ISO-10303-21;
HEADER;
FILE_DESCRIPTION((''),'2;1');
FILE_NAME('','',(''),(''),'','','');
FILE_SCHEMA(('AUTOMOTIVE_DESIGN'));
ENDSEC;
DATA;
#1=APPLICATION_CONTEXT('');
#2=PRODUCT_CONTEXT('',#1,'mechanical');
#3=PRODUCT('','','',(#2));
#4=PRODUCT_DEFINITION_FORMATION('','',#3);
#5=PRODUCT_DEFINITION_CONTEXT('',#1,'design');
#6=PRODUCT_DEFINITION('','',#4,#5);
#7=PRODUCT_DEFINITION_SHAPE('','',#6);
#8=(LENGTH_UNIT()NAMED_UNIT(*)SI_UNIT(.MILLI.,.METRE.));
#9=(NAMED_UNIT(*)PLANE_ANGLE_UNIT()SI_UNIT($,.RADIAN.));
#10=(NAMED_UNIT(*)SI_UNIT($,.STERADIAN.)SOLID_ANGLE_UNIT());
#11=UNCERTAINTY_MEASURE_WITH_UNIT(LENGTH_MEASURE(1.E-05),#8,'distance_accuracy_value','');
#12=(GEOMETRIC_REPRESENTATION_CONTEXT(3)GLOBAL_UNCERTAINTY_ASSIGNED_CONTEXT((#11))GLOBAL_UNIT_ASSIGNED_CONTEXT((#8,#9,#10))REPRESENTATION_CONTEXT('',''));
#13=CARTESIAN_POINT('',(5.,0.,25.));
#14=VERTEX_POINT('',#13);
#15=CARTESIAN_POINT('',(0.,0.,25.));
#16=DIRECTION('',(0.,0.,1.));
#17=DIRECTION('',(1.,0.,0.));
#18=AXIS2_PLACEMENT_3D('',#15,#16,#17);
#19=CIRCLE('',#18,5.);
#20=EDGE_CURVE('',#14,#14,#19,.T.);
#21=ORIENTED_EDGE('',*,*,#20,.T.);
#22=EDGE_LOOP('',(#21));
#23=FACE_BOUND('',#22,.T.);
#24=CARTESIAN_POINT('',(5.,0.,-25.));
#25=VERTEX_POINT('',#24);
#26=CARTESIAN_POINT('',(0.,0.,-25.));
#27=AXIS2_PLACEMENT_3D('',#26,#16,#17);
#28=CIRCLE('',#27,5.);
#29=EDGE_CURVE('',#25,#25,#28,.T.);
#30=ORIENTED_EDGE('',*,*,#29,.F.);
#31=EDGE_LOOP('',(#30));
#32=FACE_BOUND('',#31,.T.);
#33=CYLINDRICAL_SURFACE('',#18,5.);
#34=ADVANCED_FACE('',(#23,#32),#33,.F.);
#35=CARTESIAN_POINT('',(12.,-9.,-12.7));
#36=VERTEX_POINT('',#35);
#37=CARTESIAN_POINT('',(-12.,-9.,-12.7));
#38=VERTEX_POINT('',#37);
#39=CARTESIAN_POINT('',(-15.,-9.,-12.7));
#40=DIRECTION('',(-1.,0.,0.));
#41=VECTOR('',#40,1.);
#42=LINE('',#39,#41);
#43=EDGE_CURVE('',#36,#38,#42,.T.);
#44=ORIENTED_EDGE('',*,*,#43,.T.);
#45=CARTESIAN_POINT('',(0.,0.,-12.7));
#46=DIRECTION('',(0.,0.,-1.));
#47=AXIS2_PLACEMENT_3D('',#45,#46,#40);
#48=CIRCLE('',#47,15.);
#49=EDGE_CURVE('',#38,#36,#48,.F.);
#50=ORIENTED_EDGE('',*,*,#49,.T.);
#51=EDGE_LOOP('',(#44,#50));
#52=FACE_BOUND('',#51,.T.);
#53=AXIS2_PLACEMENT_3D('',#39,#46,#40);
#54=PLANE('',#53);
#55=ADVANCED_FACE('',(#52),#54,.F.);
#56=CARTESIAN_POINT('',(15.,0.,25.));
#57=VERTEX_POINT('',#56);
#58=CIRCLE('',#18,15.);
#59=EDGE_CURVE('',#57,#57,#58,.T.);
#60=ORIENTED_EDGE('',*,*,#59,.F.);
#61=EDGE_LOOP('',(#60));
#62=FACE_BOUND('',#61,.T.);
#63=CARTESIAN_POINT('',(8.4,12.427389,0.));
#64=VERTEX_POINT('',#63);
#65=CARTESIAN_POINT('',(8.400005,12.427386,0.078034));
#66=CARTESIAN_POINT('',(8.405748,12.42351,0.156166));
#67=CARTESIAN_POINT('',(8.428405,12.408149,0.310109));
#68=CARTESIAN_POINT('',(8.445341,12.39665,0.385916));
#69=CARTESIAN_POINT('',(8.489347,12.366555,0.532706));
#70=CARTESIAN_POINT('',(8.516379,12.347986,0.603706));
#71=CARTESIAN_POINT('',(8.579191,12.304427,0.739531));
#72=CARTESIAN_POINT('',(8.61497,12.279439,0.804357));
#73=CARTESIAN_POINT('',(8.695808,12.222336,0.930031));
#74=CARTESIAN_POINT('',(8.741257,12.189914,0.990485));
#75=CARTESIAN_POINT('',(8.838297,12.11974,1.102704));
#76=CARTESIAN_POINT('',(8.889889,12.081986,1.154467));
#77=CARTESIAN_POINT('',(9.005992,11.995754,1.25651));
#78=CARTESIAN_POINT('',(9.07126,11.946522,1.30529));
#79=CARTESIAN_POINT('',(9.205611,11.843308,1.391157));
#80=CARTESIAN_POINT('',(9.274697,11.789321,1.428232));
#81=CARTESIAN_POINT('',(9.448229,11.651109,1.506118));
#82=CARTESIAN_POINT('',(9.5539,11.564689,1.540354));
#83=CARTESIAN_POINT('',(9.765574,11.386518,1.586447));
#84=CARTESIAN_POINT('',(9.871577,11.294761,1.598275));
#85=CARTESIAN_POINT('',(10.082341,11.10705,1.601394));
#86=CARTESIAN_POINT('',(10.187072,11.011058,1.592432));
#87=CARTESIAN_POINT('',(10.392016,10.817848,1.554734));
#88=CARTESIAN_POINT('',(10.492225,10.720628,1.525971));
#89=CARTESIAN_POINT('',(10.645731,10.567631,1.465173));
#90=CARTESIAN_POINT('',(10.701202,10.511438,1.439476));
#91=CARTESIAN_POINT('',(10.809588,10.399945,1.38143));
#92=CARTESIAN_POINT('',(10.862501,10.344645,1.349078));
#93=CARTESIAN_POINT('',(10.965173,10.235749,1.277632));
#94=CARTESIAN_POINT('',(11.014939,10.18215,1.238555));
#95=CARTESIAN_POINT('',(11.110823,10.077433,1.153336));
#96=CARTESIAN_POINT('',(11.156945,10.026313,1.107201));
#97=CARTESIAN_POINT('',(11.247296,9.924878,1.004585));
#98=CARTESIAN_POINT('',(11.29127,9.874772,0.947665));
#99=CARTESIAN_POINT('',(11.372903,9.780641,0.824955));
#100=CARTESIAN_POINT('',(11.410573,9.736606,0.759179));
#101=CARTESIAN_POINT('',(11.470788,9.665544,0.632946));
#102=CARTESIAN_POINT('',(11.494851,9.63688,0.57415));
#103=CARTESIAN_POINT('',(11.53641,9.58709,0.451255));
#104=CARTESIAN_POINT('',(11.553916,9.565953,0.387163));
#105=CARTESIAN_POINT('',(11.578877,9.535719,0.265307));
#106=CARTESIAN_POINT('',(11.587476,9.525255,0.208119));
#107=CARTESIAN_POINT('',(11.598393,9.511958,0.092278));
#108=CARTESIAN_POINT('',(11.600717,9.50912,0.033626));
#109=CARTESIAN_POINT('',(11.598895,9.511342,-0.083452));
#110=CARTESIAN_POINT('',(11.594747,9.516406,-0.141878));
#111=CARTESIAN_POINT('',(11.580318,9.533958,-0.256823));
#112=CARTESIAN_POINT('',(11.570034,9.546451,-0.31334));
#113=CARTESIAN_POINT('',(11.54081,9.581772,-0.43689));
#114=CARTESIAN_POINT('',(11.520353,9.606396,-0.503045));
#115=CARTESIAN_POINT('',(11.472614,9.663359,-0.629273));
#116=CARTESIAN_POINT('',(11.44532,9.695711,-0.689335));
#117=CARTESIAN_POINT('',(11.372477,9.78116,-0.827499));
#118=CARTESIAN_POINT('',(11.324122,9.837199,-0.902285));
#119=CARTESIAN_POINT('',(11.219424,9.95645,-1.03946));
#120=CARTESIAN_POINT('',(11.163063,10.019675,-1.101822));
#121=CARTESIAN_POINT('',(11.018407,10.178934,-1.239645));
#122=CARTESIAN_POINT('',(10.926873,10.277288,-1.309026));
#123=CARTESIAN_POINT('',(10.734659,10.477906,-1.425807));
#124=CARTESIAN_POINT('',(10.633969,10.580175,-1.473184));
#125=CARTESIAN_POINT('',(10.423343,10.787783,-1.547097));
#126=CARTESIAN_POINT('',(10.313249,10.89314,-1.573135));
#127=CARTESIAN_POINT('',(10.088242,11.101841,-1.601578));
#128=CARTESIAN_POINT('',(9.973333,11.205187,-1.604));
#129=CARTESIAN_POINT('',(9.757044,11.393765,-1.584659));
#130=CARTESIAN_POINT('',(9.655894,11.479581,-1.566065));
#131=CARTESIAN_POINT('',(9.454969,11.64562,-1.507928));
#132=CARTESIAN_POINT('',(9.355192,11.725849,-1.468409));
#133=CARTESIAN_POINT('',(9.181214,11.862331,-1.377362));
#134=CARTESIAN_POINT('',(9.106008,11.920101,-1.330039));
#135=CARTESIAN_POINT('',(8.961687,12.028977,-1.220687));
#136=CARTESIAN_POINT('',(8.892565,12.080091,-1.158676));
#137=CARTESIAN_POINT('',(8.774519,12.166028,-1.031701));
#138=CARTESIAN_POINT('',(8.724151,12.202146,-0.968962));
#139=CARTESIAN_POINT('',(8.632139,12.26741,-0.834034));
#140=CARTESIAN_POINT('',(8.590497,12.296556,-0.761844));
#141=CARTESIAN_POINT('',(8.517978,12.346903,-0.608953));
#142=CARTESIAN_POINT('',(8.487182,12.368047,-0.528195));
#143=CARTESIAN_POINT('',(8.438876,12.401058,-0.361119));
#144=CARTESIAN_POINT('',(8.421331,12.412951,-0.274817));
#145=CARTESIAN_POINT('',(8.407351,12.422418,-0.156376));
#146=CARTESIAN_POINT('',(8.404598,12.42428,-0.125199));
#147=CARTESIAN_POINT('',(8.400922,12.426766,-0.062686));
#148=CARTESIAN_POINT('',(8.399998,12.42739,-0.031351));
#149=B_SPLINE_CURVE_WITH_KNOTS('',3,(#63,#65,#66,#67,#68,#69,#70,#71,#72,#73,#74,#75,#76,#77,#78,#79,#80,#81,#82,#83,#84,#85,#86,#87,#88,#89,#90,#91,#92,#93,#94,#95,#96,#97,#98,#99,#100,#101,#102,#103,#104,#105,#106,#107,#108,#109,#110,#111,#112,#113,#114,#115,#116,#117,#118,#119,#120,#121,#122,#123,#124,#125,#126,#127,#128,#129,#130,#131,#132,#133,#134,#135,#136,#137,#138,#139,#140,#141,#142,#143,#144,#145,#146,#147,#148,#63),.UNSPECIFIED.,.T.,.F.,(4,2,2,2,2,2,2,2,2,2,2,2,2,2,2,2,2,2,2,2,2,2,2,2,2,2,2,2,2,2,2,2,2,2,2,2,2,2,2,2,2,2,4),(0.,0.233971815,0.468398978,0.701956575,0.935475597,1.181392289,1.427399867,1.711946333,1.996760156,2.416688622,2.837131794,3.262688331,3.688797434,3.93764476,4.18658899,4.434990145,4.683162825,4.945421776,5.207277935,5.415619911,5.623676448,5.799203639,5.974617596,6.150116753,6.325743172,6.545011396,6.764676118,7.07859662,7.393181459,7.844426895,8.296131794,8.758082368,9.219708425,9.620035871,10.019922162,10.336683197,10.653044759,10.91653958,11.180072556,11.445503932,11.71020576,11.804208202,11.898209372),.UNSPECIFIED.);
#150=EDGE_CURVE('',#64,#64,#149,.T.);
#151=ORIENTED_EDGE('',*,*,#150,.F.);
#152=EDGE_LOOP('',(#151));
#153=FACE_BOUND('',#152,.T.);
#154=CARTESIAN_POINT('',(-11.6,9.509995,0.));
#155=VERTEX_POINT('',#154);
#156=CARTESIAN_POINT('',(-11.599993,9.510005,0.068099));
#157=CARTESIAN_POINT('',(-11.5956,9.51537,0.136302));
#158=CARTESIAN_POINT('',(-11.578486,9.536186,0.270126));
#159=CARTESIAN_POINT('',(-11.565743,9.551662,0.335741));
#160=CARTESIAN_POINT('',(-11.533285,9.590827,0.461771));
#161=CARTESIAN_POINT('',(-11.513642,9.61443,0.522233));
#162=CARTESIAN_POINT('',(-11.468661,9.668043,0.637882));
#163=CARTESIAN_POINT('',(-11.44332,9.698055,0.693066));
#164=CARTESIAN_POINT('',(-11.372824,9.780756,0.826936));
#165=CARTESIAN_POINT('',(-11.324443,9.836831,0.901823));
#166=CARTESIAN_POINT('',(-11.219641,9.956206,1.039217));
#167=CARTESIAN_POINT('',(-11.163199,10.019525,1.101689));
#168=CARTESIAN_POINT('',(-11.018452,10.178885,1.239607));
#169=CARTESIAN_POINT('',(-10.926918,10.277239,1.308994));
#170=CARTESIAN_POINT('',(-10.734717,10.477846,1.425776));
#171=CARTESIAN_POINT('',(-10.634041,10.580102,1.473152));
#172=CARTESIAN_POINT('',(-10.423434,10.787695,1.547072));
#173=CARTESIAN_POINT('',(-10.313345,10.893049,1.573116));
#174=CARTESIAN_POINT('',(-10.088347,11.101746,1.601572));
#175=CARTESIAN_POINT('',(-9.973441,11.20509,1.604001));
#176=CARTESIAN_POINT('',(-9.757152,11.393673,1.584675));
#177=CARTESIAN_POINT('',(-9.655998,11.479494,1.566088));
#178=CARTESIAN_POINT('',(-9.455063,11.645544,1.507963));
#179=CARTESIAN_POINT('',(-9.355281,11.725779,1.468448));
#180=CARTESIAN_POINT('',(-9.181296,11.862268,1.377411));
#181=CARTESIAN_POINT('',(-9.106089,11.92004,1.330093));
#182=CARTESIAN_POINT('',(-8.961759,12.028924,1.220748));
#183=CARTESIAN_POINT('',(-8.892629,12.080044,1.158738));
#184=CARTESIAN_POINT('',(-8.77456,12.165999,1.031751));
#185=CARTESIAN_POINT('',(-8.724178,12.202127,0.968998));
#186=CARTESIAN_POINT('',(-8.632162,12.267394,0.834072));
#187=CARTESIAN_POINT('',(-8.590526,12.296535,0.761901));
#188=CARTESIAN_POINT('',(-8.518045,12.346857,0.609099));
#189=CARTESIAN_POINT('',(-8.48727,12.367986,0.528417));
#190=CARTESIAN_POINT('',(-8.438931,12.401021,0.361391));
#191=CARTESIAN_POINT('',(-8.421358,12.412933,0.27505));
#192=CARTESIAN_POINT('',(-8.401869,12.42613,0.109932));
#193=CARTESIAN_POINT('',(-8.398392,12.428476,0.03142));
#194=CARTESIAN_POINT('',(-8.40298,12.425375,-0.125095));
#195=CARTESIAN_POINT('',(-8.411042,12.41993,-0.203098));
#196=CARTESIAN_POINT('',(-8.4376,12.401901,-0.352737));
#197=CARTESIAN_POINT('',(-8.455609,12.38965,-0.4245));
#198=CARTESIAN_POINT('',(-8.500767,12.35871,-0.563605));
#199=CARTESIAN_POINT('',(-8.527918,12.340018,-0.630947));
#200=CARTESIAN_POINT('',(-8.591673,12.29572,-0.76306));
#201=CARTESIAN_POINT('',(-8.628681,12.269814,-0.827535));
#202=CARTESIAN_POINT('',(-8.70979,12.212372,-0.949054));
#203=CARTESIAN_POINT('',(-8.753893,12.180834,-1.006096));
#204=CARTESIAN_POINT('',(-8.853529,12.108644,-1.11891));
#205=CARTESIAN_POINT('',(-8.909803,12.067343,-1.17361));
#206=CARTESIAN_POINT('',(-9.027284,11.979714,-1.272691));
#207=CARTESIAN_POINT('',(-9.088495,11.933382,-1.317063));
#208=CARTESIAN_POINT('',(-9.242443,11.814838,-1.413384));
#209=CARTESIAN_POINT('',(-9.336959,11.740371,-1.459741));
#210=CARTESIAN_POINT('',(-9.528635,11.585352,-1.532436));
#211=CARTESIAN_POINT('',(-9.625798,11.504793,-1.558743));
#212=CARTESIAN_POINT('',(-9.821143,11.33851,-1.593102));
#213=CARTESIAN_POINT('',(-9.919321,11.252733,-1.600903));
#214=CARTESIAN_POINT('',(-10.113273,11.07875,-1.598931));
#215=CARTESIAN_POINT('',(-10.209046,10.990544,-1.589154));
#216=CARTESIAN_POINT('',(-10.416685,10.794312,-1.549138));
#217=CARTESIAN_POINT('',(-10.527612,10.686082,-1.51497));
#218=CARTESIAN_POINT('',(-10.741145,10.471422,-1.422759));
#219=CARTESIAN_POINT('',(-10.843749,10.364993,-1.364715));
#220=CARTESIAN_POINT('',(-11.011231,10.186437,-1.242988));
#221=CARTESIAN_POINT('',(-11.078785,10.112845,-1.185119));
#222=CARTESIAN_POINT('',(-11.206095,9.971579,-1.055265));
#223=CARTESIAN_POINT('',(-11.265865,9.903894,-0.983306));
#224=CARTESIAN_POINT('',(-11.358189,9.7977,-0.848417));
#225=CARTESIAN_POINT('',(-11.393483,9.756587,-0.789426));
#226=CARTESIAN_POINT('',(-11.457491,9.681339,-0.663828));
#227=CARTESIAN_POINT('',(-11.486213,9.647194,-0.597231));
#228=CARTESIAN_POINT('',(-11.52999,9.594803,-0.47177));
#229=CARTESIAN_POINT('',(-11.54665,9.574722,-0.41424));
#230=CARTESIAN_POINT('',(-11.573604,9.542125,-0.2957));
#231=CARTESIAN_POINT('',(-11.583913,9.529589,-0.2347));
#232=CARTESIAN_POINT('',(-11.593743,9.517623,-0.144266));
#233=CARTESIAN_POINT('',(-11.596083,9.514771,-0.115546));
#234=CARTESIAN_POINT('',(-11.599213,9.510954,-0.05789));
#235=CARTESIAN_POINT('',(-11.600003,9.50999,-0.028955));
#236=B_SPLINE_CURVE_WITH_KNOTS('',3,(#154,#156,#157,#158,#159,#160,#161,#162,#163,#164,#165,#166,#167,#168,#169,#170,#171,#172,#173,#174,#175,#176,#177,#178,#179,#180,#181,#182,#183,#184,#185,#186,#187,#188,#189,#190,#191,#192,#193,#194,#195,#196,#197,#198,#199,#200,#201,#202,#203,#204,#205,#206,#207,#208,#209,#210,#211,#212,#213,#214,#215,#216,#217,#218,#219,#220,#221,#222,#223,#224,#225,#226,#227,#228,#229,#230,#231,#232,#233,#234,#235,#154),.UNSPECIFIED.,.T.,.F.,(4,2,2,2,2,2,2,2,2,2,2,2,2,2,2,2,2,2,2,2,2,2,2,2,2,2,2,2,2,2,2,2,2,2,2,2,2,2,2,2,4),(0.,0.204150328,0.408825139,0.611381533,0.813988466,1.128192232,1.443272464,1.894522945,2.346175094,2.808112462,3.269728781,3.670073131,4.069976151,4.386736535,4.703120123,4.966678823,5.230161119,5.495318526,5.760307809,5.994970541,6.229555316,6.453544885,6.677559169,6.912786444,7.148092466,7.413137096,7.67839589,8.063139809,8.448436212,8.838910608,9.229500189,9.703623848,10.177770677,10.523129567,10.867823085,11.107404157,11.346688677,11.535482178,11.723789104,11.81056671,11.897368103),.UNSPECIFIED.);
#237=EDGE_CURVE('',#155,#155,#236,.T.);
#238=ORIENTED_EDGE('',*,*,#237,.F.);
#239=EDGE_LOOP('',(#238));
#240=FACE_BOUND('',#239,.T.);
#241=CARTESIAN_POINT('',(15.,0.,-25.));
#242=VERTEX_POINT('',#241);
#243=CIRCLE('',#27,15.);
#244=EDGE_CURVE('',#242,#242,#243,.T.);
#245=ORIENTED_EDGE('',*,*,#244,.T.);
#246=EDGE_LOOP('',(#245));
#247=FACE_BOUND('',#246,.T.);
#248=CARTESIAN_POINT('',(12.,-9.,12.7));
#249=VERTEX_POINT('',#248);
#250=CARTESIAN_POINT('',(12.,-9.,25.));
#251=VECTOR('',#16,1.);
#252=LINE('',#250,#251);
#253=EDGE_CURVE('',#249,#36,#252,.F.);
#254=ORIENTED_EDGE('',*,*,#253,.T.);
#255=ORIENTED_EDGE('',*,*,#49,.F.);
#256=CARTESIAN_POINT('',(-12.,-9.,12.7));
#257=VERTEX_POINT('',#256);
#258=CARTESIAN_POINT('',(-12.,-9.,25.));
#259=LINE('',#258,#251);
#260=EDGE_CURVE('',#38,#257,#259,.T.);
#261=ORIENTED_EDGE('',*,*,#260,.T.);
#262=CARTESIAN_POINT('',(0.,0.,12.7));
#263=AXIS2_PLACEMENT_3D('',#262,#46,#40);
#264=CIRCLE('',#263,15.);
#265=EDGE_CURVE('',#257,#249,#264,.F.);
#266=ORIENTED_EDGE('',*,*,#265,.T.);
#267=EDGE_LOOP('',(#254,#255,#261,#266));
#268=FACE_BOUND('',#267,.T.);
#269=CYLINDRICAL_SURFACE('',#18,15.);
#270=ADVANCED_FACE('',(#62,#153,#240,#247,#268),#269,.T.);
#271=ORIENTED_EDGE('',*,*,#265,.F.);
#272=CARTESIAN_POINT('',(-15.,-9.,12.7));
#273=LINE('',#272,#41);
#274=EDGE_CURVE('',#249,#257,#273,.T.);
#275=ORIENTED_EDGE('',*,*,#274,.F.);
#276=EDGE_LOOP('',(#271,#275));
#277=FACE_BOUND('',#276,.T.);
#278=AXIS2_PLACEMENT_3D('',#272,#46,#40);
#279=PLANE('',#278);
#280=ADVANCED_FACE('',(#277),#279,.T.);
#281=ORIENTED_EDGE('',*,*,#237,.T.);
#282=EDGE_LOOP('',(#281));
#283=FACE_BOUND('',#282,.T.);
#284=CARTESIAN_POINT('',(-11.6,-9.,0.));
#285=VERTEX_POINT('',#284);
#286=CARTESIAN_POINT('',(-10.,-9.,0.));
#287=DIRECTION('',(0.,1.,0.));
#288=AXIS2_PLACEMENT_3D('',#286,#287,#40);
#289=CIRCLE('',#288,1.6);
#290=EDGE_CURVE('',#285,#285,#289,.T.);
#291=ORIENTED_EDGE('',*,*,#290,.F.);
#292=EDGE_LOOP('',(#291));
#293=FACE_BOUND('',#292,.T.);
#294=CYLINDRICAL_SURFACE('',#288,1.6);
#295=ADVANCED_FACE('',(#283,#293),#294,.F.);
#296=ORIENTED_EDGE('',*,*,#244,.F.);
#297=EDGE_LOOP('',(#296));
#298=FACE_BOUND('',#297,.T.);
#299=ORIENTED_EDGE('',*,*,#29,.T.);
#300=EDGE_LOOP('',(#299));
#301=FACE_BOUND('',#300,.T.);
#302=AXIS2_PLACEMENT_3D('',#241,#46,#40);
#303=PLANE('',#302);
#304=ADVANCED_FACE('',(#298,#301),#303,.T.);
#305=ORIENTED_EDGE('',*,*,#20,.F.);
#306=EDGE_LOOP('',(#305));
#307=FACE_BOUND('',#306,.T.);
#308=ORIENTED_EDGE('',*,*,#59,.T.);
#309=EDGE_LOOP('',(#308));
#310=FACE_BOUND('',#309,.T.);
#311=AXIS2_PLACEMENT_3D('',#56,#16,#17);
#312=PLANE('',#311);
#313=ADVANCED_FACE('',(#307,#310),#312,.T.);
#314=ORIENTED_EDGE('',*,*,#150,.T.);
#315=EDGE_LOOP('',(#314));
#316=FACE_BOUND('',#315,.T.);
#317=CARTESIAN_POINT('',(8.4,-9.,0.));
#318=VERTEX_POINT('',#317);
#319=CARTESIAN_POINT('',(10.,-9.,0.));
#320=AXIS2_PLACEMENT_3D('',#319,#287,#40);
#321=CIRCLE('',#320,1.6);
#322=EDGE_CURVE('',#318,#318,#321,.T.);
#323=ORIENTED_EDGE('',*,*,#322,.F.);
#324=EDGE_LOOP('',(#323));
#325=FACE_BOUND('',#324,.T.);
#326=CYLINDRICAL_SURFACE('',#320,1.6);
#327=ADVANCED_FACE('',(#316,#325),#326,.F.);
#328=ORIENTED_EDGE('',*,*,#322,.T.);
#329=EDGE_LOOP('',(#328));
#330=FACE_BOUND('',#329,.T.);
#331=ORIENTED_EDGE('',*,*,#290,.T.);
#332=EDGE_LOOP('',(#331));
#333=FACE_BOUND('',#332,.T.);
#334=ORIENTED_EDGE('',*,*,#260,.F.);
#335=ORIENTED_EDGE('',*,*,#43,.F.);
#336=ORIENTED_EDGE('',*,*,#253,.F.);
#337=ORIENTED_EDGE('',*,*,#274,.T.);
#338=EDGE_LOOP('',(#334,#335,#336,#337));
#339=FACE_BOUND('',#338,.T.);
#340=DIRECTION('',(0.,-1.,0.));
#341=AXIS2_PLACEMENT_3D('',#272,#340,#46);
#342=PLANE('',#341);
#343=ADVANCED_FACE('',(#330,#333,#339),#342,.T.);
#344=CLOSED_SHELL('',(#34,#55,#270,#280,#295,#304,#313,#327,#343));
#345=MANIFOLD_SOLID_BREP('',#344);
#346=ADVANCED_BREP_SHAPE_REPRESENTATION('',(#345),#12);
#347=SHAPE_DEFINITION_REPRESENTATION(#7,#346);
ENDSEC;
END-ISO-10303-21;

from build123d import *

# Parameters (mm, degrees)
SKETCH1_W               = 10
SKETCH1_H               = 50
CUT_EXTRUDE1_DEPTH      = 12.7
CUT_EXTRUDE1_DEPTH_BACK = 12.7
SKETCH2_W               = 30
SKETCH2_H               = 6
SKETCH3_W               = 1.6
SKETCH3_H               = 21.427389106
SKETCH3_3_W             = 1.6
SKETCH3_3_H             = 21.427389106


with BuildPart() as part:
    # Sketch1 → Revolve1 (revolve)
    with BuildSketch(Plane(origin=(0, 0, 0), x_dir=(1, 0, 0), z_dir=(0, 1, 0))):
        with Locations((10, 0)):
            Rectangle(SKETCH1_W, SKETCH1_H)
    revolve(axis=Axis((0, 0, 25), (0, 0, -1)))

    # Sketch2 → Cut-Extrude1 (cut, two sides: drawn at the far end of the back side and taken through both)
    with BuildSketch(Plane.XY.offset(-CUT_EXTRUDE1_DEPTH_BACK)):
        with Locations((0, -12)):
            Rectangle(SKETCH2_W, SKETCH2_H)
    extrude(amount=CUT_EXTRUDE1_DEPTH + CUT_EXTRUDE1_DEPTH_BACK, mode=Mode.SUBTRACT)

    # Sketch3 → Cut-Revolve1 (revolve, cut)
    with BuildSketch(Plane.XY):
        with Locations((9.2, 1.713694553)):
            Rectangle(SKETCH3_W, SKETCH3_H)
    revolve(axis=Axis((10, -9, 0), (0, -1, 0)), mode=Mode.SUBTRACT)

    # Sketch3<3> → Cut-Revolve2 (revolve, cut)
    with BuildSketch(Plane.XY):
        with Locations((-9.2, 1.713694553)):
            Rectangle(SKETCH3_3_W, SKETCH3_3_H)
    revolve(axis=Axis((-10, -9, 0), (0, -1, 0)), mode=Mode.SUBTRACT)


solid = part.part
